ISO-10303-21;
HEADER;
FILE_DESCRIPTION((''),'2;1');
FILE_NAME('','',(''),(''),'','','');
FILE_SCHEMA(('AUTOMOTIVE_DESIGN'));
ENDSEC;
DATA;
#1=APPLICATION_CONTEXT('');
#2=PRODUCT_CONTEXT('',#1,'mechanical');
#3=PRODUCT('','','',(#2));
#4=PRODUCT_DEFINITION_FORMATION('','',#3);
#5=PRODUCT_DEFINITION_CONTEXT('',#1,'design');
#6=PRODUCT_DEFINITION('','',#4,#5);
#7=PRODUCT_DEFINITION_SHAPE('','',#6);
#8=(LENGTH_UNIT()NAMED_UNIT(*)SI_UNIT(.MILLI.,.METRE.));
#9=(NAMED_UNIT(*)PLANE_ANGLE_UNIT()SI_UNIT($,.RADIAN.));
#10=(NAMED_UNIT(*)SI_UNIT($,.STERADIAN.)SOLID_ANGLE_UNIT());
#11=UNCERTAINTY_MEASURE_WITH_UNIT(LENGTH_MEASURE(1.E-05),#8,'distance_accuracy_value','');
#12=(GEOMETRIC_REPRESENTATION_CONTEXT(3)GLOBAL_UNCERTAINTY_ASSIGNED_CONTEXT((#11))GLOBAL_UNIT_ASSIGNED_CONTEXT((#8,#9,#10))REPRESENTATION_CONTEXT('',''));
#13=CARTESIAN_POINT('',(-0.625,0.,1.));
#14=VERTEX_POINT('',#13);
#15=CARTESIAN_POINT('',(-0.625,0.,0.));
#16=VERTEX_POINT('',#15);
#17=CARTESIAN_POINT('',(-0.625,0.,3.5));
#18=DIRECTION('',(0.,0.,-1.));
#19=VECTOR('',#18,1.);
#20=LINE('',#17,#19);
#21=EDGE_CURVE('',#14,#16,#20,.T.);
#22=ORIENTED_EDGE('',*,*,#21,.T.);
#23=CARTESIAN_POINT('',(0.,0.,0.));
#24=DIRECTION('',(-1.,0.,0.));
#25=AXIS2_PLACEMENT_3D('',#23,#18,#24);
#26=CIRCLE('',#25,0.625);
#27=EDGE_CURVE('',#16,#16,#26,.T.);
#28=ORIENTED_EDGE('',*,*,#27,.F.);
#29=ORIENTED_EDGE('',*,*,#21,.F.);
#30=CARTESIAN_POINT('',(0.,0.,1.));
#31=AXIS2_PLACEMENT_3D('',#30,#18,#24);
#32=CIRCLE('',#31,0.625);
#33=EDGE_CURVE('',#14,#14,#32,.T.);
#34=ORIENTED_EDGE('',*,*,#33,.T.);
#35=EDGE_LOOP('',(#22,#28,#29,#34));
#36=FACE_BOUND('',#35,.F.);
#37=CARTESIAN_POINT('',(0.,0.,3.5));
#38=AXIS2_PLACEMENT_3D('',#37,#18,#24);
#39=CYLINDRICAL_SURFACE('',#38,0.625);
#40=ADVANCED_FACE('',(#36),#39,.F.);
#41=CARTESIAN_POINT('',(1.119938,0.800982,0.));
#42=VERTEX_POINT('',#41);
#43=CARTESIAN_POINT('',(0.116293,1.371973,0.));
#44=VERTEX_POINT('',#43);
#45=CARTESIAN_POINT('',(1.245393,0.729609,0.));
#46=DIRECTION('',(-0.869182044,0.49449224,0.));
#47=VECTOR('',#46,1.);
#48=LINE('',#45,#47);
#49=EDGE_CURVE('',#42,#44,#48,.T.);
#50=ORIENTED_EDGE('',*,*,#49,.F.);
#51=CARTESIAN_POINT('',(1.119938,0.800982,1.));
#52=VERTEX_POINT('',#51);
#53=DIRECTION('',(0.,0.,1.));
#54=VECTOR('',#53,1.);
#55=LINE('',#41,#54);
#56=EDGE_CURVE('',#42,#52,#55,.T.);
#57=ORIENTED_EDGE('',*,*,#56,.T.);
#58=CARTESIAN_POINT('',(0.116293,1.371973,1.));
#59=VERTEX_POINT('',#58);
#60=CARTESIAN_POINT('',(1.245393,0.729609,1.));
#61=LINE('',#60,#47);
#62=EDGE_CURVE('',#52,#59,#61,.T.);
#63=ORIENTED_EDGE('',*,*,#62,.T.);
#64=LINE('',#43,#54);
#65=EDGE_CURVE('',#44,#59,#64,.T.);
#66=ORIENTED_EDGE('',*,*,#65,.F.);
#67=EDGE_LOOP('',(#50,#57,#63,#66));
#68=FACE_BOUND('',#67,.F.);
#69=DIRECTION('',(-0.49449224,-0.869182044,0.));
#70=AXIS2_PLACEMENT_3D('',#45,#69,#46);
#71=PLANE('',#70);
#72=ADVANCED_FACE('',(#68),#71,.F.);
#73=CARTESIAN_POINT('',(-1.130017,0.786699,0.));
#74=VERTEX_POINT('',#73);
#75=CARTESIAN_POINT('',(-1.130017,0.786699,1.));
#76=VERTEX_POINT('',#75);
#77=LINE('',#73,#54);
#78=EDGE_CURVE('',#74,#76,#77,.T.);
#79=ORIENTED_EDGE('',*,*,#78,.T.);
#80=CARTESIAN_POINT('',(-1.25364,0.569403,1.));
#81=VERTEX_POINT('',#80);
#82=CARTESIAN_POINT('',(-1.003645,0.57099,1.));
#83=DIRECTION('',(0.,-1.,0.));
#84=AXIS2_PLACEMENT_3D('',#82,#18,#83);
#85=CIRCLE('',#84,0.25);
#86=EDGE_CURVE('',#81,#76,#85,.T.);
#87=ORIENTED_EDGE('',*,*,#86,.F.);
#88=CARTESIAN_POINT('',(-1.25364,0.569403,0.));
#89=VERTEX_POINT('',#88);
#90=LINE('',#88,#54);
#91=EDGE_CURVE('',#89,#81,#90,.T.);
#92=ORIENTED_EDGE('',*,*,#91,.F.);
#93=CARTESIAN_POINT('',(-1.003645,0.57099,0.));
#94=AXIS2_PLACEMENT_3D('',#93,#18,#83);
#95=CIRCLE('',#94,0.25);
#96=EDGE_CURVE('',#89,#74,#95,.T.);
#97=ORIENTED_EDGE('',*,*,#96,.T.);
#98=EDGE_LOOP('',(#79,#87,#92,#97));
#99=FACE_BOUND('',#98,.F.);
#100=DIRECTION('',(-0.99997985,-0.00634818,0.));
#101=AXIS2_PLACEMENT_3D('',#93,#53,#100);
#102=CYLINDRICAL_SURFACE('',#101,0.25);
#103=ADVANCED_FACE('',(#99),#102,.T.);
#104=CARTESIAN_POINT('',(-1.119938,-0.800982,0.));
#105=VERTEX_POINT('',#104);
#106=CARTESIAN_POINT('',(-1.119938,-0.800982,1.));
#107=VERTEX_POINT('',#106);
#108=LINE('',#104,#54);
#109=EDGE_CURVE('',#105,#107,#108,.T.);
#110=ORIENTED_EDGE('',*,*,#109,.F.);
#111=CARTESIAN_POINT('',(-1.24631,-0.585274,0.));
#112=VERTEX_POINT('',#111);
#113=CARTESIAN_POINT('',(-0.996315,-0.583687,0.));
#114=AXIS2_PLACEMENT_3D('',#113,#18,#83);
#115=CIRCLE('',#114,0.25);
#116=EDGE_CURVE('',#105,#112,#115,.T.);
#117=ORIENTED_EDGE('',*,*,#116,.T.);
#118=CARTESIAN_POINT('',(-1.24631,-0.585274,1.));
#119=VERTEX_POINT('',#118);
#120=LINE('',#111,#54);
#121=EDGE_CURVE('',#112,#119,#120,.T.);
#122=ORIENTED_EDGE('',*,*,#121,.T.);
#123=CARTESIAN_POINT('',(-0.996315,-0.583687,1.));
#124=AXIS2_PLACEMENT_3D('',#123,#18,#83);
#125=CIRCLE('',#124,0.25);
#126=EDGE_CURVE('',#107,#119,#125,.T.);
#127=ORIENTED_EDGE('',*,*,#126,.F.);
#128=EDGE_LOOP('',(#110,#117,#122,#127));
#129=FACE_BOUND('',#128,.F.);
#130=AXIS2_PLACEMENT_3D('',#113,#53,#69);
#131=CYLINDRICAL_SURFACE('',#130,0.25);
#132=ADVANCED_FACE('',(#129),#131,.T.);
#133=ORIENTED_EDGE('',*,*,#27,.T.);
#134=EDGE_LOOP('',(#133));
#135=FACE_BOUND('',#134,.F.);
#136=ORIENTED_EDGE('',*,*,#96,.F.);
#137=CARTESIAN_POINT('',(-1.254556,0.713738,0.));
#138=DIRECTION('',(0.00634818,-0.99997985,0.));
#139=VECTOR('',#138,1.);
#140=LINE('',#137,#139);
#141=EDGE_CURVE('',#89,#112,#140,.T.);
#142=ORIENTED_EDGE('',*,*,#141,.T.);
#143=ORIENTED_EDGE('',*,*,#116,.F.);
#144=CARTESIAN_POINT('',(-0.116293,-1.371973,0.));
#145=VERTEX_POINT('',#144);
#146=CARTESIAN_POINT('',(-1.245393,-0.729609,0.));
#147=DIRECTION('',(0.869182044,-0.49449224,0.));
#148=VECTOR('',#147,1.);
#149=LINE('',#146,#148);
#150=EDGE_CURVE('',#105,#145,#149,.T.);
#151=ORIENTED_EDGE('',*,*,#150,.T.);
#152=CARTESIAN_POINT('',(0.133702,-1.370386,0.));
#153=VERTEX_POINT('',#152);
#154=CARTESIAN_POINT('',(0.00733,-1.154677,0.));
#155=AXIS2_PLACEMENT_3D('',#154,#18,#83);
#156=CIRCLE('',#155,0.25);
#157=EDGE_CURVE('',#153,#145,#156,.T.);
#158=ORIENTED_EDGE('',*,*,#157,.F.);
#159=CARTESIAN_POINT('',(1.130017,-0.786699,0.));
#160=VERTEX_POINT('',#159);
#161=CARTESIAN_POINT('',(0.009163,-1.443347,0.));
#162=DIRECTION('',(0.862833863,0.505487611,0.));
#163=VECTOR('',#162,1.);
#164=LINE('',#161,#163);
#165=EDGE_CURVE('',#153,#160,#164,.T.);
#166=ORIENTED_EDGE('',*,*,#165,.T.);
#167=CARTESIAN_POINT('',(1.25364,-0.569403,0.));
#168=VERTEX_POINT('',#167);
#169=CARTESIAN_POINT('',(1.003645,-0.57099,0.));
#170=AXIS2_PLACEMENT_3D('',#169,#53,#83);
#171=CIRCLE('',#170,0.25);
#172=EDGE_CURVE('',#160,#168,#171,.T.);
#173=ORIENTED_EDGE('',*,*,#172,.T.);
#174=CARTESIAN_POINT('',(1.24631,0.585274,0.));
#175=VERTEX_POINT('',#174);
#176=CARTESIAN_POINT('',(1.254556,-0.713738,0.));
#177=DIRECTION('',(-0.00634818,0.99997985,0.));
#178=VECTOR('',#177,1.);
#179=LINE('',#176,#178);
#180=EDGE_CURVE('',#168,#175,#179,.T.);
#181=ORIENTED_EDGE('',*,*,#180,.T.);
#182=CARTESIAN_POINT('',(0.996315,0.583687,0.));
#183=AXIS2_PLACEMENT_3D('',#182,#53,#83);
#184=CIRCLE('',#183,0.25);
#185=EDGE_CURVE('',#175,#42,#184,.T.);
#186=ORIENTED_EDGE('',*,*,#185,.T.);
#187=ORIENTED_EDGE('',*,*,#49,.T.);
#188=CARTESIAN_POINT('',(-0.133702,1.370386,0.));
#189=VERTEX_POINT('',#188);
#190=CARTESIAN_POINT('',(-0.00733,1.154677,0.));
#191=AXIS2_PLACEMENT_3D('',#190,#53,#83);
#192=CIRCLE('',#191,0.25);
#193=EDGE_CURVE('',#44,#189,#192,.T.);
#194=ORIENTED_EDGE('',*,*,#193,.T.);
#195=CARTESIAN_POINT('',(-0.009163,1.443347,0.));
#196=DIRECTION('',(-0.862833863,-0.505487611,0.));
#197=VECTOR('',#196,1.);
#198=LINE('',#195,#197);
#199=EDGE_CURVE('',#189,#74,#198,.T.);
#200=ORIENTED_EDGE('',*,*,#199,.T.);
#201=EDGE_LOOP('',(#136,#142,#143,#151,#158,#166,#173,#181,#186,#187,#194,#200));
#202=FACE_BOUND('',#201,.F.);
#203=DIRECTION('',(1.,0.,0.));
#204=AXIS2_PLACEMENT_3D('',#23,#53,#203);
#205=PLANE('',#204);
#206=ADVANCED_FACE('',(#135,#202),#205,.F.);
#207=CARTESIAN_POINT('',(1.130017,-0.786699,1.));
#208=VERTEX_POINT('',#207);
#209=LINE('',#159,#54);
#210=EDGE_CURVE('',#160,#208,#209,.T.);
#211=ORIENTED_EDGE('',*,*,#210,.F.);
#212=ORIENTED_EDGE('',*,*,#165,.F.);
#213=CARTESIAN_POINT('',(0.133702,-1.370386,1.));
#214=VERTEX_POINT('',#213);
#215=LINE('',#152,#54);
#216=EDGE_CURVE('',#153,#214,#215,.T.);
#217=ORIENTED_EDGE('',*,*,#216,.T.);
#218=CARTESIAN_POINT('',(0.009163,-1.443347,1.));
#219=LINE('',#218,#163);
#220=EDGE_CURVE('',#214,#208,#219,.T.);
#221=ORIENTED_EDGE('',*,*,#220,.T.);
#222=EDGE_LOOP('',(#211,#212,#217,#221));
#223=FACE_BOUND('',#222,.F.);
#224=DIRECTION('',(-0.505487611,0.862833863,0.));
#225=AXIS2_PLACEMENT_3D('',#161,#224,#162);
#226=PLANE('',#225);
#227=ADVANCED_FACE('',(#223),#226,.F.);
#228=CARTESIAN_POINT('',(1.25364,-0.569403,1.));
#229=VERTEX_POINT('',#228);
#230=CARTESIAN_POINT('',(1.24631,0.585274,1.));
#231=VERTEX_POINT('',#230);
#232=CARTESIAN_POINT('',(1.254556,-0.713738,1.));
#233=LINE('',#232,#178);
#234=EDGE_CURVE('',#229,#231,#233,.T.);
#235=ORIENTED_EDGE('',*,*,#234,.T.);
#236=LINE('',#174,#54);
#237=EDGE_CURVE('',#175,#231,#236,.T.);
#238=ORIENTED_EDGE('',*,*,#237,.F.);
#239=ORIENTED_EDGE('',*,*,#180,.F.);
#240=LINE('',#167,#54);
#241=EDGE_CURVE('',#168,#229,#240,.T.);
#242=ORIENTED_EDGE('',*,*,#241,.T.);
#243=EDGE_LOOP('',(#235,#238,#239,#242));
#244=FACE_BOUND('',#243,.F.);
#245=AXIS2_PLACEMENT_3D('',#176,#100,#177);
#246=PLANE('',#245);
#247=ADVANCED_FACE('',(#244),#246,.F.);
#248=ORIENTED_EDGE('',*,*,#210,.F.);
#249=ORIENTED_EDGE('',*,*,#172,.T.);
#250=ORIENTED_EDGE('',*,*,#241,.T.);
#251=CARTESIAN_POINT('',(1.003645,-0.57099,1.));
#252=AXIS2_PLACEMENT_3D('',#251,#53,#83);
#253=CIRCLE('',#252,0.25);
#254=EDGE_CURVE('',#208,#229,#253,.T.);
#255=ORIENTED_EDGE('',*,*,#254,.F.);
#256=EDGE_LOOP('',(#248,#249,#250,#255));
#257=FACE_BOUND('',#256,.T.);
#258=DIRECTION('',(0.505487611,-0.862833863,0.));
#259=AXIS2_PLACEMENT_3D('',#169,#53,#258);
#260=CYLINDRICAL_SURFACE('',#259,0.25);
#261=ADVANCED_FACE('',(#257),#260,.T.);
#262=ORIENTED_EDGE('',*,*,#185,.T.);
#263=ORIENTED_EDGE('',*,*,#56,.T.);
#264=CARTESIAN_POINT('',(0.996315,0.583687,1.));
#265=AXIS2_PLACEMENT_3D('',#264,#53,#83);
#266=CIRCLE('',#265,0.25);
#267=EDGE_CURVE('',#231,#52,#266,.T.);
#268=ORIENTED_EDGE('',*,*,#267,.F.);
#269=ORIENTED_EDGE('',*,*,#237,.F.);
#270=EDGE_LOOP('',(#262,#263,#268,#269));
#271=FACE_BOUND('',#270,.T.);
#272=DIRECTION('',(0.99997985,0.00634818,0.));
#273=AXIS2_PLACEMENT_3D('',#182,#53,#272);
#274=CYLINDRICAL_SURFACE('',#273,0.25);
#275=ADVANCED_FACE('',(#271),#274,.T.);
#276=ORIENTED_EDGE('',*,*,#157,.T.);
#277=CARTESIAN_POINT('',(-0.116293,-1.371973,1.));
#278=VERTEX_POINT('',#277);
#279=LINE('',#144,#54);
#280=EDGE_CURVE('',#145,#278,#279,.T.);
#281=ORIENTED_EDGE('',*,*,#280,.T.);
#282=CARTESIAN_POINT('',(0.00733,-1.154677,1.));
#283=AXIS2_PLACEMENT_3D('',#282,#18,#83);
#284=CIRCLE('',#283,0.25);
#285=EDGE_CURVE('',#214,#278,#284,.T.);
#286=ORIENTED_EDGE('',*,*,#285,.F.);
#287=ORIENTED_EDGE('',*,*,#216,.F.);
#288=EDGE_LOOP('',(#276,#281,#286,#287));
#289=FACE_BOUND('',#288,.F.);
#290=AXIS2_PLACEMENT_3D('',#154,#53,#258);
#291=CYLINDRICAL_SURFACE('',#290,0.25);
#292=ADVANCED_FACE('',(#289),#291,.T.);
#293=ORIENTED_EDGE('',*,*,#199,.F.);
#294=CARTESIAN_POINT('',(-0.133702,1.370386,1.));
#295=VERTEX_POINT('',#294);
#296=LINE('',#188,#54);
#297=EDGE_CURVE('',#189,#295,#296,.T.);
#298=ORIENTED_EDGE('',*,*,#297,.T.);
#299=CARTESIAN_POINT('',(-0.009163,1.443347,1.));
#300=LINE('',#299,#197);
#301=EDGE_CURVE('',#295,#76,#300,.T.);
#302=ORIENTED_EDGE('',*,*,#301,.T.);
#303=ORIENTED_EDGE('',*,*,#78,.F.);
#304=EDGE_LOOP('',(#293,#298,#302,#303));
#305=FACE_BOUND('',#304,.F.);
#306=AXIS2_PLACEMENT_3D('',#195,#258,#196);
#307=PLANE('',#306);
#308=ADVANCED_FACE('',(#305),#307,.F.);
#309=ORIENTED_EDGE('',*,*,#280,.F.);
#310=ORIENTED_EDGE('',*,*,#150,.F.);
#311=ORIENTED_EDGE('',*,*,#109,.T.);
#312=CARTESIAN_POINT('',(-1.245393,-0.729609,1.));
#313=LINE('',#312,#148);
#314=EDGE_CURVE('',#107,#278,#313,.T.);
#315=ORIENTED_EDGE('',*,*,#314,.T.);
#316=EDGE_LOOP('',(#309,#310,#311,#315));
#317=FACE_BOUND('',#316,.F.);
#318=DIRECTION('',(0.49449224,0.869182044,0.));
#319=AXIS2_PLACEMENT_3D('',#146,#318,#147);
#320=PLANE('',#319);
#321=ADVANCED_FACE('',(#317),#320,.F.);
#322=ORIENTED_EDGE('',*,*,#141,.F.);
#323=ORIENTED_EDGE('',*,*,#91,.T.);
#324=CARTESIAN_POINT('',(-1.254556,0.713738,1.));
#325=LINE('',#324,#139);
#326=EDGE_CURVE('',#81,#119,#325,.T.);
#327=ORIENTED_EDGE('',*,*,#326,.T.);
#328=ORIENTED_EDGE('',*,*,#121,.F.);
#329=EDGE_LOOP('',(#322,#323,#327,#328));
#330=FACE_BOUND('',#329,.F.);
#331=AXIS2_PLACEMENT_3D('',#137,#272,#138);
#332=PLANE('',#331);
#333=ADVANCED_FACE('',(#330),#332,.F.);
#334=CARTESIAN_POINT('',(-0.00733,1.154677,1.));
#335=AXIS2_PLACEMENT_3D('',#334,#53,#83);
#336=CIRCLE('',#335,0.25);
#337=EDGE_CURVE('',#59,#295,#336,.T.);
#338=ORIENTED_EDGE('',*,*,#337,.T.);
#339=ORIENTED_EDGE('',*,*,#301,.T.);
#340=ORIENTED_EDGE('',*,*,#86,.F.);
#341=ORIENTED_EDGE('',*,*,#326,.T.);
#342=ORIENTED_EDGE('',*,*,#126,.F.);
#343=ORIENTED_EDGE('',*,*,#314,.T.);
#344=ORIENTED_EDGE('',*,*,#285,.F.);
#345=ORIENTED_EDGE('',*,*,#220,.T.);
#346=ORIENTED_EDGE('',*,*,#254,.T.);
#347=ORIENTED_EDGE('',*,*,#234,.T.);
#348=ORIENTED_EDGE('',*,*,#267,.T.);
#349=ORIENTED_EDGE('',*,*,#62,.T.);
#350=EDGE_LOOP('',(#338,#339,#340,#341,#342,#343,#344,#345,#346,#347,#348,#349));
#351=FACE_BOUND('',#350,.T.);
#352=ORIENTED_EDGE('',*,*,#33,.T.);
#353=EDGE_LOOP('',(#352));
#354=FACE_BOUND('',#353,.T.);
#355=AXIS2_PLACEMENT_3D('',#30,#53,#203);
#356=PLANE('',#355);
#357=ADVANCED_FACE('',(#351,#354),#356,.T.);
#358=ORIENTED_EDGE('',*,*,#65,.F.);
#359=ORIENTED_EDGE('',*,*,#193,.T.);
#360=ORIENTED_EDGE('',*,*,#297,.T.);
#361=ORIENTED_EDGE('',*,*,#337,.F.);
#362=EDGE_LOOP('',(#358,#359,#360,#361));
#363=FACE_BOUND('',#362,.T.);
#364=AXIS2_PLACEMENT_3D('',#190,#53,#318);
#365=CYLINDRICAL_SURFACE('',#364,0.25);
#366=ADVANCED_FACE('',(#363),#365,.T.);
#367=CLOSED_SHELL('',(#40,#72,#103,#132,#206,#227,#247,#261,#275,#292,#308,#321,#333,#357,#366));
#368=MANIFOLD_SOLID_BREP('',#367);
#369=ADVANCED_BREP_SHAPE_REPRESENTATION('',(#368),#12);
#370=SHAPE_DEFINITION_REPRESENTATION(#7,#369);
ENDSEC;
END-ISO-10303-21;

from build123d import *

# Parameters (mm, degrees)
F1_DEPTH = 4
F3_D     = 5
F3_DEPTH = 10
F3_TIP   = 1.5021515476
F4_R     = 1
F5_SCALE = 0.25


with BuildPart() as f1:
    # F0 (on Top) → F1 (new body)
    with BuildSketch(Plane.XY):
        Polygon((0.0366512368, -5.7733863564), (5.0182248689, -2.8549522761), (4.9815736321, 2.9184340803), (-0.0366512368, 5.7733863564), (-5.0182248689, 2.8549522761), (-4.9815736321, -2.9184340803), align=None)
    extrude(amount=F1_DEPTH)

    # F3
    with Locations(Plane.XY.offset(4)):
        with Locations((0, 0)):
            Hole(F3_D / 2, depth=F3_DEPTH)
            with Locations((0, 0, -(F3_DEPTH + F3_TIP / 2))):  # 118° drill point
                Cone(0, F3_D / 2, F3_TIP, mode=Mode.SUBTRACT)

    # F4
    f4_edges = [f1.edges().sort_by_distance(p)[0] for p in [
        (-5.018225, 2.854952, 2),
        (-0.036651, 5.773386, 2),
        (-4.981574, -2.918434, 2),
        (0.036651, -5.773386, 2),
        (5.018225, -2.854952, 2),
        (4.981574, 2.918434, 2),
    ]]
    fillet(f4_edges, radius=F4_R)


with BuildPart() as f1_1:
    # F5: moved
    add(f1.part.scale(F5_SCALE))


solid = f1_1.part
